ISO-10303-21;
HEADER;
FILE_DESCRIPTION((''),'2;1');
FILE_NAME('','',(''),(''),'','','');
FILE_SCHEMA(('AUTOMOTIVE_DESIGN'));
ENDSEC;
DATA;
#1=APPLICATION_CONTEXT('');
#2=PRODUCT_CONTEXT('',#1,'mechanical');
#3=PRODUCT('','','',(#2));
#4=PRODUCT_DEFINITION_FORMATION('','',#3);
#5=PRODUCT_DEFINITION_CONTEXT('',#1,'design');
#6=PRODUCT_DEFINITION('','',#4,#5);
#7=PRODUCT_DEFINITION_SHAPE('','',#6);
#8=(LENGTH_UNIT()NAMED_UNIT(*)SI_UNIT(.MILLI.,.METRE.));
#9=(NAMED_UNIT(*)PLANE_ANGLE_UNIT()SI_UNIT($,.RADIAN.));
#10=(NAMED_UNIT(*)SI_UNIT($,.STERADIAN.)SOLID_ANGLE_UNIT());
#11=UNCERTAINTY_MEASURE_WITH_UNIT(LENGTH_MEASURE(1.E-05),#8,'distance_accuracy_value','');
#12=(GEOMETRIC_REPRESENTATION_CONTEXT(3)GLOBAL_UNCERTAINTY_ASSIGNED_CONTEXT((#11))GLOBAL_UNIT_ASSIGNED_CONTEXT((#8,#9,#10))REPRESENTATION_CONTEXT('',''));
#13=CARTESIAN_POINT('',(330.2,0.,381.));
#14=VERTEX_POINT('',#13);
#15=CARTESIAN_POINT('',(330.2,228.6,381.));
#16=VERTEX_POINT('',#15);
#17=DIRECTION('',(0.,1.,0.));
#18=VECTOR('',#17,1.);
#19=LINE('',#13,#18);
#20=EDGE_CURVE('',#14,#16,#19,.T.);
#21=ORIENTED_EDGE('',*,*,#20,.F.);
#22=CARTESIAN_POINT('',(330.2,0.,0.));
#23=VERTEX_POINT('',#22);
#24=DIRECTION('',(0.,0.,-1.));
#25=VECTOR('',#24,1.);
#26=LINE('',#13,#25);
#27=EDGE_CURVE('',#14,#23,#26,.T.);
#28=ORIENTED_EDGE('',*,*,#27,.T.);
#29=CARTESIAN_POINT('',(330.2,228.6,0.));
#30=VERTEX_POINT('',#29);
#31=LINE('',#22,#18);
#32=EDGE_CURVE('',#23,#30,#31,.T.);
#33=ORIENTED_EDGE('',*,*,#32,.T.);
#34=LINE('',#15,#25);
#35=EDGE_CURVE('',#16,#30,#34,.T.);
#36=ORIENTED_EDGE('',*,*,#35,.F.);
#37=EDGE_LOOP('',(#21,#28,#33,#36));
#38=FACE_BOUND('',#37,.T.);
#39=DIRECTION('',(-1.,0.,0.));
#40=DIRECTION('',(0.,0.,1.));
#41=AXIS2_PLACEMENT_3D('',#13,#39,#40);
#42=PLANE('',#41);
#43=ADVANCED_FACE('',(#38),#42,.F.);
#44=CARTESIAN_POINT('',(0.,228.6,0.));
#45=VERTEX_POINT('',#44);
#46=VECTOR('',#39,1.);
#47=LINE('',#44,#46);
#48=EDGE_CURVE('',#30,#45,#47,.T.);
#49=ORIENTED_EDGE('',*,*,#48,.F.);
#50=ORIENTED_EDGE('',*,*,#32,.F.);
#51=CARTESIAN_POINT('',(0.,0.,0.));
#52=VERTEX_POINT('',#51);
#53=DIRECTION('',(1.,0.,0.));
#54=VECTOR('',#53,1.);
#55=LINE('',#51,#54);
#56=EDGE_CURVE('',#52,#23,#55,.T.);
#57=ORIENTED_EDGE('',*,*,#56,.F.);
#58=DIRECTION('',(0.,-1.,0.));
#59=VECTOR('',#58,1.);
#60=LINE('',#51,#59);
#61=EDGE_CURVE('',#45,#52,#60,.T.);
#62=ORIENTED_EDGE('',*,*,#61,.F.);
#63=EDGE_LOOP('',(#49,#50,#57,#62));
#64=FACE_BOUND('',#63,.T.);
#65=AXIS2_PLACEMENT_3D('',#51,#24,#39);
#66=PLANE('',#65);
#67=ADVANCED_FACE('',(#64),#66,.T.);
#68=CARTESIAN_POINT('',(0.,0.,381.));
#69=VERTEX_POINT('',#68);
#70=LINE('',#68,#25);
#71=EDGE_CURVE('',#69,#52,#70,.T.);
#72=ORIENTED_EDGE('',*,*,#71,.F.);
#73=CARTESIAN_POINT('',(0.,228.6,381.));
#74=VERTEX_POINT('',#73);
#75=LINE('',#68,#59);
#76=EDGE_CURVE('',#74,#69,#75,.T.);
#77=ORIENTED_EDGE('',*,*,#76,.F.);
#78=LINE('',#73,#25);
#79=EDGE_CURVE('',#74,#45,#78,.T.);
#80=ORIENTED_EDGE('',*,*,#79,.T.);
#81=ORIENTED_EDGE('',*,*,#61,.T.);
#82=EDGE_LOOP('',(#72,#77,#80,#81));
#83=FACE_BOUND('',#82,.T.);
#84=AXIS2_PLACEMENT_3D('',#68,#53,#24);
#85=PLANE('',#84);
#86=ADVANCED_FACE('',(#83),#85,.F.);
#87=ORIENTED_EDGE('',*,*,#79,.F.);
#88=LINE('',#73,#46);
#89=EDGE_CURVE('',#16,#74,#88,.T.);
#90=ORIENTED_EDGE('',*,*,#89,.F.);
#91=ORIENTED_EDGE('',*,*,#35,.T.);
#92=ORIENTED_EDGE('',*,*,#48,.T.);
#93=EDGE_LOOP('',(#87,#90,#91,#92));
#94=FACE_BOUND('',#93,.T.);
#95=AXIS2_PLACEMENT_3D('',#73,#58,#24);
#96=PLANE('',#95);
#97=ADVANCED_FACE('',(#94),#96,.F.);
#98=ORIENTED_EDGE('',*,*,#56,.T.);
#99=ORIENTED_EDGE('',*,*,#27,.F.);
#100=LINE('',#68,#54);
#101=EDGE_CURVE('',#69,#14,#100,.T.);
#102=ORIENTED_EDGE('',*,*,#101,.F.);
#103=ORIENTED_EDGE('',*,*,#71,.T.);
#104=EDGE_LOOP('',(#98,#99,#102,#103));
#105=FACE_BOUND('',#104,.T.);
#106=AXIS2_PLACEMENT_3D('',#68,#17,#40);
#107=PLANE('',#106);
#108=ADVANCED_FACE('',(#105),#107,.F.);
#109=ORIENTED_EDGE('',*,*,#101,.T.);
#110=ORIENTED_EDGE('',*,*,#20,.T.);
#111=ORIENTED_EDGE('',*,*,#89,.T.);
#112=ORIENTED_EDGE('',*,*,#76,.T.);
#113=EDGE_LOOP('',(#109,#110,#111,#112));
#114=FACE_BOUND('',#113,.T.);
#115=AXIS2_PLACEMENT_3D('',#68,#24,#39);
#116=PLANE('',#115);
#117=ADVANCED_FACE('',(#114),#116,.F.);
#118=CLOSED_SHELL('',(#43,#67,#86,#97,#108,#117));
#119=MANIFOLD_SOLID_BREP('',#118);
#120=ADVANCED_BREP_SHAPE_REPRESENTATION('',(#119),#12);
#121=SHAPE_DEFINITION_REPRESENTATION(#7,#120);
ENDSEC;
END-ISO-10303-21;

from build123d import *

# Parameters (mm, degrees)
SKETCH1_W           = 330.2
SKETCH1_H           = 228.6
BOSS_EXTRUDE1_DEPTH = 381


with BuildPart() as part:
    # Sketch1 → Boss-Extrude1 (new body)
    with BuildSketch(Plane.XY):
        with Locations((165.1, 114.3)):
            Rectangle(SKETCH1_W, SKETCH1_H)
    extrude(amount=BOSS_EXTRUDE1_DEPTH)


solid = part.part
